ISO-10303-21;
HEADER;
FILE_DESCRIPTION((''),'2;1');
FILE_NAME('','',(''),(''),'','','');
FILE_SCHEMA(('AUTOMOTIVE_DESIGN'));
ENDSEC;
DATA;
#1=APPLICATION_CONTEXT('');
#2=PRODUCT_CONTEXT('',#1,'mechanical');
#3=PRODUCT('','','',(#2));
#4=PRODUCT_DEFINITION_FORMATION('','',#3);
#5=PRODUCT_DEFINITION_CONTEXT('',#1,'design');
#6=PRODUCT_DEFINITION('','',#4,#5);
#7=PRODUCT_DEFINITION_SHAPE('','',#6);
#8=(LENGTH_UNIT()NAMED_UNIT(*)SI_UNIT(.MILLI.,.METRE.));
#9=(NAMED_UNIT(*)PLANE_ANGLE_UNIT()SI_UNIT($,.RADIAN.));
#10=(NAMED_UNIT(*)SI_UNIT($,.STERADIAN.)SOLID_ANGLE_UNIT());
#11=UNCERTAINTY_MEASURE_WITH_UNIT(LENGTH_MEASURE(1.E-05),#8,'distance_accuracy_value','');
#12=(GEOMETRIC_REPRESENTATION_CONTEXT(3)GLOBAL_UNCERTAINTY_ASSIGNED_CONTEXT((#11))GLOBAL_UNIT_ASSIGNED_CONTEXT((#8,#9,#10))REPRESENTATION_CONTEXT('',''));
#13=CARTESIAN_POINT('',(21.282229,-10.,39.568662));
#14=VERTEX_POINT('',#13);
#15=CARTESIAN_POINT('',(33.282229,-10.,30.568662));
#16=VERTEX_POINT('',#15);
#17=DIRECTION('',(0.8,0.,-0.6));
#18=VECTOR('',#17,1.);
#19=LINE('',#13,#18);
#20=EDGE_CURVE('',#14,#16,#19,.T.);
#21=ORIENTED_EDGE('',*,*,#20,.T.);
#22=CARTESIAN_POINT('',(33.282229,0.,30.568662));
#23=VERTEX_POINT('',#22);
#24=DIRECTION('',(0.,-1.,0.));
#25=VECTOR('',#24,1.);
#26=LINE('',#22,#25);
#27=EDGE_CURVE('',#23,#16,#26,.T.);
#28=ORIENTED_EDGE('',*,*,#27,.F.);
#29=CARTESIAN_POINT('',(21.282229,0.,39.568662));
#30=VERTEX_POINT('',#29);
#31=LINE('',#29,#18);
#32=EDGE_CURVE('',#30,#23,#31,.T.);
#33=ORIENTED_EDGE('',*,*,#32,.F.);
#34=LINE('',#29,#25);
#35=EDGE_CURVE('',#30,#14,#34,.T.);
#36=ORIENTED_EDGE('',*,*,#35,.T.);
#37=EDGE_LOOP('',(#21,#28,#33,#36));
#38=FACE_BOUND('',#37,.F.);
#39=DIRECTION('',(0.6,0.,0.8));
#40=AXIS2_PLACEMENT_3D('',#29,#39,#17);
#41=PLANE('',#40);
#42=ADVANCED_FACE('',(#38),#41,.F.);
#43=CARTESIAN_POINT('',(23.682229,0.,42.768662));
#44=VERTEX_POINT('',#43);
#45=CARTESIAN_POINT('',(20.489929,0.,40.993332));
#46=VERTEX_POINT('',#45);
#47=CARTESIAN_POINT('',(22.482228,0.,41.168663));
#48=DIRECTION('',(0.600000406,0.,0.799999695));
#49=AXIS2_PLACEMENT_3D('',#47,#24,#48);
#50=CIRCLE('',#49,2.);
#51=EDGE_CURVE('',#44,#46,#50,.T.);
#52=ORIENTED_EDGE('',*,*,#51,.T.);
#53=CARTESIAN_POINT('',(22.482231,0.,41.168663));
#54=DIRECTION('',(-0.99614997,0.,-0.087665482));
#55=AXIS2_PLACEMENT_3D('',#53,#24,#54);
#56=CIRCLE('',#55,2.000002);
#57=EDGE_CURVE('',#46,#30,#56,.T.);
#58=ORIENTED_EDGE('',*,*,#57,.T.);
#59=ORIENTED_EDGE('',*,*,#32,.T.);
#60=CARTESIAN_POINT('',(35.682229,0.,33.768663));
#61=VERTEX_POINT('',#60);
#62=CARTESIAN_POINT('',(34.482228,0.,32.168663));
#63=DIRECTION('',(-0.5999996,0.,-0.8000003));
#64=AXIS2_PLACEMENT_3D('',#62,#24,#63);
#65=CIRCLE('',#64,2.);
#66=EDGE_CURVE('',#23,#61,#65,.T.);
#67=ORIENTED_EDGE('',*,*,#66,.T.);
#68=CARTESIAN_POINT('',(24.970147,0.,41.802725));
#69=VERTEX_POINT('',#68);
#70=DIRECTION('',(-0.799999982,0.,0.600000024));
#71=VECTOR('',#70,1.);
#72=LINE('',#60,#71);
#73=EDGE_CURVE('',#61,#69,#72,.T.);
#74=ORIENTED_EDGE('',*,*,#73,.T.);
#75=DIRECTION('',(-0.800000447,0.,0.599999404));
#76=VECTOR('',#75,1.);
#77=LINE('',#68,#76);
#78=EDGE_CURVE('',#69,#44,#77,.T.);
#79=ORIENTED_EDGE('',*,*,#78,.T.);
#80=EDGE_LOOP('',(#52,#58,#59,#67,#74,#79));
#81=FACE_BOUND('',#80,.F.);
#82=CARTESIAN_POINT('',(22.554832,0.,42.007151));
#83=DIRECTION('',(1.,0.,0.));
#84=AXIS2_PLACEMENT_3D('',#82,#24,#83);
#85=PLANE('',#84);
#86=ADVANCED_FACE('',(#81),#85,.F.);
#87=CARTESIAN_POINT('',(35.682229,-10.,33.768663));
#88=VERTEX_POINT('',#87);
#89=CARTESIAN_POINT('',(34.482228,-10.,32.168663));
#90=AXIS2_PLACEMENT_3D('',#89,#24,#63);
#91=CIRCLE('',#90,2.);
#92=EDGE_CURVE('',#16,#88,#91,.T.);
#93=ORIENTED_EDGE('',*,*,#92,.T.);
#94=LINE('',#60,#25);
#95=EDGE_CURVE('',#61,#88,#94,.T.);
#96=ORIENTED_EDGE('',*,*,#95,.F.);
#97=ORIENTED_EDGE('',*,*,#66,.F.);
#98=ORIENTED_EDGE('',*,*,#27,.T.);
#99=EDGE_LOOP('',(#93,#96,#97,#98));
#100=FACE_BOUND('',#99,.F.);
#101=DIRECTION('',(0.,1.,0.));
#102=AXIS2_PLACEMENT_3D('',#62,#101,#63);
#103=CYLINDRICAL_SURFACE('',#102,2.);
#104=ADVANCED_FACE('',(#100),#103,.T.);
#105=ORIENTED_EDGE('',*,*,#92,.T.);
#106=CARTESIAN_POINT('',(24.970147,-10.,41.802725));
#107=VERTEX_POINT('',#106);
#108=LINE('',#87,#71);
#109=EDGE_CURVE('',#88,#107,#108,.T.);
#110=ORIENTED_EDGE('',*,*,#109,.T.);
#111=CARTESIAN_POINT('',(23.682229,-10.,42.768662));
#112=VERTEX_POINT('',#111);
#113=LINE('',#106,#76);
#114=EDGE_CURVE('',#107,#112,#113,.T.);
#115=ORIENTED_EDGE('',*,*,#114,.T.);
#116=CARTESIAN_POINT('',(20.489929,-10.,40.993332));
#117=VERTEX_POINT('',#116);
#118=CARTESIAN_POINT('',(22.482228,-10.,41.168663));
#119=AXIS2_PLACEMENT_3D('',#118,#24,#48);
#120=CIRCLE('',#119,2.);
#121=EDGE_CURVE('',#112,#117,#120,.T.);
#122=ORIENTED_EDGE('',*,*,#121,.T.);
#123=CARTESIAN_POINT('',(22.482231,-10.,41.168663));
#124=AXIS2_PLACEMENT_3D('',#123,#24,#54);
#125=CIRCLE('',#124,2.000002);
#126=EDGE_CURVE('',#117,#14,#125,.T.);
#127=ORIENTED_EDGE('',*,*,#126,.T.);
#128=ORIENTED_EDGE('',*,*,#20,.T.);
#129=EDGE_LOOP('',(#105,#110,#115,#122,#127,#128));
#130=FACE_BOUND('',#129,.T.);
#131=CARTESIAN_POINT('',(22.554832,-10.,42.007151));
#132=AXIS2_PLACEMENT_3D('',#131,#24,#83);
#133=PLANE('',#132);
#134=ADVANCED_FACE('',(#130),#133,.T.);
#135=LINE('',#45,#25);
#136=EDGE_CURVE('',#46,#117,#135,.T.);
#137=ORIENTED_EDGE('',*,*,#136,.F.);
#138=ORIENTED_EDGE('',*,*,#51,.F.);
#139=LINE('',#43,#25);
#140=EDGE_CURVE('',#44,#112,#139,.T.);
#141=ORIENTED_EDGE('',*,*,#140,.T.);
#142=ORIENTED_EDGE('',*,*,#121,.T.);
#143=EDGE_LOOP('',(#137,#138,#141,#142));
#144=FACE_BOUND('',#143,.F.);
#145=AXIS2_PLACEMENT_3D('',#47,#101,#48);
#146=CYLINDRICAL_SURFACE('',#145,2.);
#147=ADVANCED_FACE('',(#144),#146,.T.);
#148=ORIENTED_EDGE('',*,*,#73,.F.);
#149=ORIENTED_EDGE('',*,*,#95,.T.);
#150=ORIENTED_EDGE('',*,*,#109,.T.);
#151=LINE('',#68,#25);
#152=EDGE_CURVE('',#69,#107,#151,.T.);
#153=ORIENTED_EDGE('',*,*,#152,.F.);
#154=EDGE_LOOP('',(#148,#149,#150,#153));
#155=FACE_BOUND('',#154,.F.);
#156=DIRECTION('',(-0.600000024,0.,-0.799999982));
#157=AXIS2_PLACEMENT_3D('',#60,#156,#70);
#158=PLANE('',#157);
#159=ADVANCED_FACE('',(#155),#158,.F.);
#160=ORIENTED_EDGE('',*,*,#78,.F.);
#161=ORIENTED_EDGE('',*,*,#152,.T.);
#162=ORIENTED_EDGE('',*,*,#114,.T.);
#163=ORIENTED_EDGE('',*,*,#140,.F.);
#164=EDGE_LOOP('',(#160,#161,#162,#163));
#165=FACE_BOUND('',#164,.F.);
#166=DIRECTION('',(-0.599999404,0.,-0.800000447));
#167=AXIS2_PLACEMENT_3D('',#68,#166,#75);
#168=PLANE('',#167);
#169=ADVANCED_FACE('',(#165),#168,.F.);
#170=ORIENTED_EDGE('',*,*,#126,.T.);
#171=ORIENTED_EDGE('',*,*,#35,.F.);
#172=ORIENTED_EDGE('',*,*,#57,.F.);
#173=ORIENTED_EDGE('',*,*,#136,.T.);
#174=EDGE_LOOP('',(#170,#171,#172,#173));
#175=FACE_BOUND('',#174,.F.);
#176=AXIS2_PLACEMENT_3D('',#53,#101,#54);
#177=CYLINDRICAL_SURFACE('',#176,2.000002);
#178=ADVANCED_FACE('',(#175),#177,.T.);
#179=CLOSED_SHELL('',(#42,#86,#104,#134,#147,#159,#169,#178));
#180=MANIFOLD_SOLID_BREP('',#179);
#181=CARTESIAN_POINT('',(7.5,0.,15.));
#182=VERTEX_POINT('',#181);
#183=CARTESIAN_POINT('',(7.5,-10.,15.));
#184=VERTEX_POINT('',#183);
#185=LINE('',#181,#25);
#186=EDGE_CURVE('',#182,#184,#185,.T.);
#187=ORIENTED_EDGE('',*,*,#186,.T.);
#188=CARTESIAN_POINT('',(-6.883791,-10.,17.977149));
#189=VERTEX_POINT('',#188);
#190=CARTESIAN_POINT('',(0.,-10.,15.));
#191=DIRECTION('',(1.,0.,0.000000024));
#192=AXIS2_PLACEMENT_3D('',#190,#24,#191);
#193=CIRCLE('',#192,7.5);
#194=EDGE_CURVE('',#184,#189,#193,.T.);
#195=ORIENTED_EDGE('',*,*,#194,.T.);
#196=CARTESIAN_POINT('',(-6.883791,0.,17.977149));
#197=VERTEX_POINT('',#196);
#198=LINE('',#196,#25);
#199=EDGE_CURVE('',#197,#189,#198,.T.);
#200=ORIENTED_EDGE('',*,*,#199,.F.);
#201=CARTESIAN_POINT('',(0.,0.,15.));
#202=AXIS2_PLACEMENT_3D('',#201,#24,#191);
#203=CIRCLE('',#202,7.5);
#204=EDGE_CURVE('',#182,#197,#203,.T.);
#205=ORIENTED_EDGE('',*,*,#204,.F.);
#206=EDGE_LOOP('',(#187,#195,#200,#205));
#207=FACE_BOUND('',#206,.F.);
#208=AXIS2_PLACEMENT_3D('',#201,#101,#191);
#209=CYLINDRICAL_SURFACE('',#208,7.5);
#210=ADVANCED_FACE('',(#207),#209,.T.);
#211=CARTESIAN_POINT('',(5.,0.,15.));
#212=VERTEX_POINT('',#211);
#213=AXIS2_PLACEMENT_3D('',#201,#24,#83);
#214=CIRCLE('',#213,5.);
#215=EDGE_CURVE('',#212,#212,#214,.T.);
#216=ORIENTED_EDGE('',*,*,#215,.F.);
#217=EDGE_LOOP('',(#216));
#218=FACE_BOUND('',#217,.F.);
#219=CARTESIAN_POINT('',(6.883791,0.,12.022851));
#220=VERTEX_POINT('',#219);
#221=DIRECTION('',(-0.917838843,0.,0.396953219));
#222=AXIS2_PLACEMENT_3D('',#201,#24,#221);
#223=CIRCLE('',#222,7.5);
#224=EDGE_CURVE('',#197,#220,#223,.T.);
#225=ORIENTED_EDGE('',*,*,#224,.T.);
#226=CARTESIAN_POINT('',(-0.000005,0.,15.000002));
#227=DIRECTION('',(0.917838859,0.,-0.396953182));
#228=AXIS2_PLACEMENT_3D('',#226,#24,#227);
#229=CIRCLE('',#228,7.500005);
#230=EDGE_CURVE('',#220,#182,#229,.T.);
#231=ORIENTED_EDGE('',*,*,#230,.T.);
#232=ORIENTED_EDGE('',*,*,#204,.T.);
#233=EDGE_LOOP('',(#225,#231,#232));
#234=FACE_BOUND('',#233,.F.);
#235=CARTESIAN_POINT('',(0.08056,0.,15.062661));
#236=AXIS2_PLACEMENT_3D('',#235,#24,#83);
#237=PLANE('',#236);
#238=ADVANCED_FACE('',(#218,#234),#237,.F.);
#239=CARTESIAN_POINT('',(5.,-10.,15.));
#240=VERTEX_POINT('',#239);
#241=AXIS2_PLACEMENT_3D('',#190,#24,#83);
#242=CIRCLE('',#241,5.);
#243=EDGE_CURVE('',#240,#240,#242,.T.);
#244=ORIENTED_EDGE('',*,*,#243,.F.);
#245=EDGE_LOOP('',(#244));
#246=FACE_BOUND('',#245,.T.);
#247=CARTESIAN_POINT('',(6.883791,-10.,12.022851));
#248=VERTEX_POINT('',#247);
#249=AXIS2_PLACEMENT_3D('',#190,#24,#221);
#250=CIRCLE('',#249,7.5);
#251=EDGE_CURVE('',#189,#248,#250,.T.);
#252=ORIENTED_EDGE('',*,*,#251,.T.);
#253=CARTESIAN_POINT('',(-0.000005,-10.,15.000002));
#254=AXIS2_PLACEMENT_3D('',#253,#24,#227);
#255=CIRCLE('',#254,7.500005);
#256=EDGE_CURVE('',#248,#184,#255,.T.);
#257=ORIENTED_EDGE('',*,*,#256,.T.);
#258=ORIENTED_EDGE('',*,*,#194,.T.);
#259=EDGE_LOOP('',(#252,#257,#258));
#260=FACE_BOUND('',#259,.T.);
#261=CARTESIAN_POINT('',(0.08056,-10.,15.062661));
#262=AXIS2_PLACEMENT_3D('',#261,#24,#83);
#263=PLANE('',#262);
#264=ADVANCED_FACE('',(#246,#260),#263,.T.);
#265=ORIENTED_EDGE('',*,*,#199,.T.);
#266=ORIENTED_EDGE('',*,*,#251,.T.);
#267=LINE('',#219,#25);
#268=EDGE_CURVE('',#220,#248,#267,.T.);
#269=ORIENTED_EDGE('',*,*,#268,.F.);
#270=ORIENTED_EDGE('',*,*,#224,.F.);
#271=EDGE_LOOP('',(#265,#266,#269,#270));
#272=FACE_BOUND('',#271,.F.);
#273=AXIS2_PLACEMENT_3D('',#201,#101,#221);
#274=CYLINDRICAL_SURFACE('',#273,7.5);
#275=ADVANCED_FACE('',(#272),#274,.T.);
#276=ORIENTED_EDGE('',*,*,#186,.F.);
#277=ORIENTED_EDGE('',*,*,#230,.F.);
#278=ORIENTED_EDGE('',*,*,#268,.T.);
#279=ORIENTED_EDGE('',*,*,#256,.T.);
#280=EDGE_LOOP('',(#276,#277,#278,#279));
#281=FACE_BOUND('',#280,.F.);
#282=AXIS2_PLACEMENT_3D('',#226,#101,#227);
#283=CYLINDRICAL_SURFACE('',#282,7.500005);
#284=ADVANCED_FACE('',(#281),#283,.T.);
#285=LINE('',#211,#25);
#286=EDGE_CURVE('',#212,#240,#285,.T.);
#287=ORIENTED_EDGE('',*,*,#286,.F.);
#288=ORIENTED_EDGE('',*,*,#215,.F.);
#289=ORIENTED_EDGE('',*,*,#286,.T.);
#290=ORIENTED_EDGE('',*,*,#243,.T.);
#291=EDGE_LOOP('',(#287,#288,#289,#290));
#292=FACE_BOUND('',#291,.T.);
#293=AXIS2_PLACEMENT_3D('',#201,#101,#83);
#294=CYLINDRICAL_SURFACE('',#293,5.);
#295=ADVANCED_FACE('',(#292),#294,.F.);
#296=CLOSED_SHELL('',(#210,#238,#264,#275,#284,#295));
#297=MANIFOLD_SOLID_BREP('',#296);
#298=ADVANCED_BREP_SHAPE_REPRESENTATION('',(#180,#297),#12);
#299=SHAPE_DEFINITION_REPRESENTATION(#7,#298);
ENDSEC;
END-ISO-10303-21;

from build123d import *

# Parameters (mm, degrees)
F1_R     = 5
F2_DEPTH = 10


with BuildPart() as f2:
    # F1 (on Front) → F2 (new body)
    with BuildSketch(Plane.XZ):
        with BuildLine():
            ThreePointArc((6.883791, 12.022851), (7.344332, 13.479874), (7.5, 15))
            ThreePointArc((7.5, 15), (1.520126, 22.344332), (-6.883791, 17.977149))
            ThreePointArc((-6.883791, 17.977149), (-2.977149, 8.116209), (6.883791, 12.022851))
        make_face()
        with Locations((0, 15)):
            Circle(F1_R, mode=Mode.SUBTRACT)
        with BuildLine():
            ThreePointArc((23.682229, 42.768662), (21.510178, 42.916552), (20.489929, 40.993332))
            ThreePointArc((20.489929, 40.993332), (22.718513, 41.461822), (24.970147, 41.802725))
            Line((24.970147, 41.802725), (23.682229, 42.768662))
        make_face()
        with BuildLine():
            ThreePointArc((24.970147, 41.802725), (22.718513, 41.461822), (20.489929, 40.993332))
            ThreePointArc((20.489929, 40.993332), (20.73434, 40.196611), (21.282229, 39.568662))
            Line((21.282229, 39.568662), (33.282229, 30.568662))
            ThreePointArc((33.282229, 30.568662), (36.082229, 30.968663), (35.682229, 33.768663))
            Line((35.682229, 33.768663), (24.970147, 41.802725))
        make_face()
    extrude(amount=F2_DEPTH)


solid = f2.part
